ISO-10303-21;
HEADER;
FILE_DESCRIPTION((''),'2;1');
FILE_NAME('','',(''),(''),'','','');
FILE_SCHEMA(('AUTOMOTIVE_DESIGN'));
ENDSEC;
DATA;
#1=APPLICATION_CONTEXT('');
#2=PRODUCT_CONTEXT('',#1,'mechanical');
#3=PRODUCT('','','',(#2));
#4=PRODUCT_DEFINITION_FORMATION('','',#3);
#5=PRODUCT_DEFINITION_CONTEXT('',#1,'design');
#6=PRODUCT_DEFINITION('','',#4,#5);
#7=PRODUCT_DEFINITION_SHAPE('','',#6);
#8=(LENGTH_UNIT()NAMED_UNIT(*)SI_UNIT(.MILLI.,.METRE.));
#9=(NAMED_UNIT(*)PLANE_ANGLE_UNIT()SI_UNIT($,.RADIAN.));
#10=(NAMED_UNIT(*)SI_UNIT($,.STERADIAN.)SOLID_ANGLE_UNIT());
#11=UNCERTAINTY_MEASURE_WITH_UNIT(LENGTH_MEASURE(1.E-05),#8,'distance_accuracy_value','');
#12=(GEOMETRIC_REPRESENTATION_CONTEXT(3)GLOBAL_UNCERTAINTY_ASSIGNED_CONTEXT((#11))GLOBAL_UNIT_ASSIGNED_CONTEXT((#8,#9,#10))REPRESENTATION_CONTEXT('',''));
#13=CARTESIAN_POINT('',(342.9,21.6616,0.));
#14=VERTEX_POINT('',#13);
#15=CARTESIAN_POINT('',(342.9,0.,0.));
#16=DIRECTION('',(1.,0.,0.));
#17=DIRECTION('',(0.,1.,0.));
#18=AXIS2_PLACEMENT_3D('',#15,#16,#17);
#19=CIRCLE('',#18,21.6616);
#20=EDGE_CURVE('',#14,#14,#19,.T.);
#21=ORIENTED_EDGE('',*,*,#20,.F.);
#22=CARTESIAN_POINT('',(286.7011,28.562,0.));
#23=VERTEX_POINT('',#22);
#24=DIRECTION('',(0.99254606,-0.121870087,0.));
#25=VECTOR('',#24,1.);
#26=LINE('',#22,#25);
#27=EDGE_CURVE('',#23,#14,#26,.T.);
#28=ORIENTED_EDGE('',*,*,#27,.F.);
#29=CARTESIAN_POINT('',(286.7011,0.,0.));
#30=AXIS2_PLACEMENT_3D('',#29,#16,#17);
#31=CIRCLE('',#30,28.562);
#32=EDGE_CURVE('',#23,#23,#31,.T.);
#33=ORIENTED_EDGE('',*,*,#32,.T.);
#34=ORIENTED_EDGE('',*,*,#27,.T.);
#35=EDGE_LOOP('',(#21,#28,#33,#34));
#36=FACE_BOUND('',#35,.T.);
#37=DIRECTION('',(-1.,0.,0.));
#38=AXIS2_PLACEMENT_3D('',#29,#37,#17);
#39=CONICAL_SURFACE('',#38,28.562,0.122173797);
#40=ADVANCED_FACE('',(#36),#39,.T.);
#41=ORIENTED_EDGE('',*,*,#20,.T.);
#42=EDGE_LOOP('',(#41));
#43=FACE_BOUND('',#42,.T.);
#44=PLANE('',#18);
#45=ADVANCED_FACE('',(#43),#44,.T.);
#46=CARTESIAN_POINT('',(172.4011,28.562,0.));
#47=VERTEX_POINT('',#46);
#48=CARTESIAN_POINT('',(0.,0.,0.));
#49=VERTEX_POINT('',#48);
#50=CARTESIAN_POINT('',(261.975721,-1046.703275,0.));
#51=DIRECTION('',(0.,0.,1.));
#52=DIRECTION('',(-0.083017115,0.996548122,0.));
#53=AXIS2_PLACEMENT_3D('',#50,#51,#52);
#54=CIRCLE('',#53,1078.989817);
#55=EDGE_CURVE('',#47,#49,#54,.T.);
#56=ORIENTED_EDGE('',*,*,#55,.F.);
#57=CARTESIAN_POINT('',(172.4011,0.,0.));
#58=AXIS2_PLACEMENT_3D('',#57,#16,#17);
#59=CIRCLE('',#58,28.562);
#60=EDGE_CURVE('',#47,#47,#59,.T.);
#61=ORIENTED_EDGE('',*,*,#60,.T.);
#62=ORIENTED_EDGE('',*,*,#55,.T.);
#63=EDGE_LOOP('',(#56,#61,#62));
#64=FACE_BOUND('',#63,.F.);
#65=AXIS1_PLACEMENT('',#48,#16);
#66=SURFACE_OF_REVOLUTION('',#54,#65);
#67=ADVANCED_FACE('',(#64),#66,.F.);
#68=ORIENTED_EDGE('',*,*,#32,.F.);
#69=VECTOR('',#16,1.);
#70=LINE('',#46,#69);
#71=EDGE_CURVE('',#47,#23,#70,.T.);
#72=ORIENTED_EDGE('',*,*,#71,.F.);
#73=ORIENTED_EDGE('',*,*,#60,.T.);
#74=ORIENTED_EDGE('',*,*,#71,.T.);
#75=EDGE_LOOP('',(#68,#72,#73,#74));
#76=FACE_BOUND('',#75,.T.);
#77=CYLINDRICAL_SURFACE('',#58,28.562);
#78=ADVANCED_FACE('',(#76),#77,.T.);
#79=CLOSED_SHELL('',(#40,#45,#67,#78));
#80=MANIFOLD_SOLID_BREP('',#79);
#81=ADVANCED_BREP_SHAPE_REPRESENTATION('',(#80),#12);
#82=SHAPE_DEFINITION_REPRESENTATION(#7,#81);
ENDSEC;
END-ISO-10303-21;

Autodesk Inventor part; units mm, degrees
ref_plane "YZ Plane" through (0, 0, 0) normal (1, 0, 0) x (0, 1, 0)
ref_plane "XZ Plane" through (0, 0, 0) normal (0, 1, 0) x (-1, 0, 0)
ref_plane "XY Plane" through (0, 0, 0) normal (0, 0, 1) x (1, 0, 0)
sketch "Эскиз1" plane through (0, 0, 0) normal (0, 0, 1) x (1, 0, 0)
  line L0 (0, 0) -> (342.9, 0)
  line L1 (172.4011, 28.562) -> (172.4011, 0)
  line L2 (172.4011, 28.562) -> (286.7011, 28.562)
  line L3 (286.7011, 28.562) -> (286.7011, 0)
  line L4 (286.7011, 28.562) -> (342.9, 21.6616)
  line L5 (342.9, 21.6616) -> (342.9, 0)
  arc A0 (172.4011, 28.562) -> (0, 0) centre (261.9756, -1046.7023) ccw
  line L6 (286.7011, 0) -> (286.7011, -1353.3259)
  line L7 (342.9, 0) -> (342.9, -1353.3129)
  point P0 (172.4, 28.5619)
  dimension "d0" = 342.9
  dimension "d3" = 114.3
  dimension "d4" = 7
  dimension "d5" = 1046.7023
  dimension "d6" = 261.9756
revolve "Вращение1" add sketch "Эскиз1" angle 360 about axis through (0, 0, 0) along (1, 0, 0)
properties part number "Снаряд"
